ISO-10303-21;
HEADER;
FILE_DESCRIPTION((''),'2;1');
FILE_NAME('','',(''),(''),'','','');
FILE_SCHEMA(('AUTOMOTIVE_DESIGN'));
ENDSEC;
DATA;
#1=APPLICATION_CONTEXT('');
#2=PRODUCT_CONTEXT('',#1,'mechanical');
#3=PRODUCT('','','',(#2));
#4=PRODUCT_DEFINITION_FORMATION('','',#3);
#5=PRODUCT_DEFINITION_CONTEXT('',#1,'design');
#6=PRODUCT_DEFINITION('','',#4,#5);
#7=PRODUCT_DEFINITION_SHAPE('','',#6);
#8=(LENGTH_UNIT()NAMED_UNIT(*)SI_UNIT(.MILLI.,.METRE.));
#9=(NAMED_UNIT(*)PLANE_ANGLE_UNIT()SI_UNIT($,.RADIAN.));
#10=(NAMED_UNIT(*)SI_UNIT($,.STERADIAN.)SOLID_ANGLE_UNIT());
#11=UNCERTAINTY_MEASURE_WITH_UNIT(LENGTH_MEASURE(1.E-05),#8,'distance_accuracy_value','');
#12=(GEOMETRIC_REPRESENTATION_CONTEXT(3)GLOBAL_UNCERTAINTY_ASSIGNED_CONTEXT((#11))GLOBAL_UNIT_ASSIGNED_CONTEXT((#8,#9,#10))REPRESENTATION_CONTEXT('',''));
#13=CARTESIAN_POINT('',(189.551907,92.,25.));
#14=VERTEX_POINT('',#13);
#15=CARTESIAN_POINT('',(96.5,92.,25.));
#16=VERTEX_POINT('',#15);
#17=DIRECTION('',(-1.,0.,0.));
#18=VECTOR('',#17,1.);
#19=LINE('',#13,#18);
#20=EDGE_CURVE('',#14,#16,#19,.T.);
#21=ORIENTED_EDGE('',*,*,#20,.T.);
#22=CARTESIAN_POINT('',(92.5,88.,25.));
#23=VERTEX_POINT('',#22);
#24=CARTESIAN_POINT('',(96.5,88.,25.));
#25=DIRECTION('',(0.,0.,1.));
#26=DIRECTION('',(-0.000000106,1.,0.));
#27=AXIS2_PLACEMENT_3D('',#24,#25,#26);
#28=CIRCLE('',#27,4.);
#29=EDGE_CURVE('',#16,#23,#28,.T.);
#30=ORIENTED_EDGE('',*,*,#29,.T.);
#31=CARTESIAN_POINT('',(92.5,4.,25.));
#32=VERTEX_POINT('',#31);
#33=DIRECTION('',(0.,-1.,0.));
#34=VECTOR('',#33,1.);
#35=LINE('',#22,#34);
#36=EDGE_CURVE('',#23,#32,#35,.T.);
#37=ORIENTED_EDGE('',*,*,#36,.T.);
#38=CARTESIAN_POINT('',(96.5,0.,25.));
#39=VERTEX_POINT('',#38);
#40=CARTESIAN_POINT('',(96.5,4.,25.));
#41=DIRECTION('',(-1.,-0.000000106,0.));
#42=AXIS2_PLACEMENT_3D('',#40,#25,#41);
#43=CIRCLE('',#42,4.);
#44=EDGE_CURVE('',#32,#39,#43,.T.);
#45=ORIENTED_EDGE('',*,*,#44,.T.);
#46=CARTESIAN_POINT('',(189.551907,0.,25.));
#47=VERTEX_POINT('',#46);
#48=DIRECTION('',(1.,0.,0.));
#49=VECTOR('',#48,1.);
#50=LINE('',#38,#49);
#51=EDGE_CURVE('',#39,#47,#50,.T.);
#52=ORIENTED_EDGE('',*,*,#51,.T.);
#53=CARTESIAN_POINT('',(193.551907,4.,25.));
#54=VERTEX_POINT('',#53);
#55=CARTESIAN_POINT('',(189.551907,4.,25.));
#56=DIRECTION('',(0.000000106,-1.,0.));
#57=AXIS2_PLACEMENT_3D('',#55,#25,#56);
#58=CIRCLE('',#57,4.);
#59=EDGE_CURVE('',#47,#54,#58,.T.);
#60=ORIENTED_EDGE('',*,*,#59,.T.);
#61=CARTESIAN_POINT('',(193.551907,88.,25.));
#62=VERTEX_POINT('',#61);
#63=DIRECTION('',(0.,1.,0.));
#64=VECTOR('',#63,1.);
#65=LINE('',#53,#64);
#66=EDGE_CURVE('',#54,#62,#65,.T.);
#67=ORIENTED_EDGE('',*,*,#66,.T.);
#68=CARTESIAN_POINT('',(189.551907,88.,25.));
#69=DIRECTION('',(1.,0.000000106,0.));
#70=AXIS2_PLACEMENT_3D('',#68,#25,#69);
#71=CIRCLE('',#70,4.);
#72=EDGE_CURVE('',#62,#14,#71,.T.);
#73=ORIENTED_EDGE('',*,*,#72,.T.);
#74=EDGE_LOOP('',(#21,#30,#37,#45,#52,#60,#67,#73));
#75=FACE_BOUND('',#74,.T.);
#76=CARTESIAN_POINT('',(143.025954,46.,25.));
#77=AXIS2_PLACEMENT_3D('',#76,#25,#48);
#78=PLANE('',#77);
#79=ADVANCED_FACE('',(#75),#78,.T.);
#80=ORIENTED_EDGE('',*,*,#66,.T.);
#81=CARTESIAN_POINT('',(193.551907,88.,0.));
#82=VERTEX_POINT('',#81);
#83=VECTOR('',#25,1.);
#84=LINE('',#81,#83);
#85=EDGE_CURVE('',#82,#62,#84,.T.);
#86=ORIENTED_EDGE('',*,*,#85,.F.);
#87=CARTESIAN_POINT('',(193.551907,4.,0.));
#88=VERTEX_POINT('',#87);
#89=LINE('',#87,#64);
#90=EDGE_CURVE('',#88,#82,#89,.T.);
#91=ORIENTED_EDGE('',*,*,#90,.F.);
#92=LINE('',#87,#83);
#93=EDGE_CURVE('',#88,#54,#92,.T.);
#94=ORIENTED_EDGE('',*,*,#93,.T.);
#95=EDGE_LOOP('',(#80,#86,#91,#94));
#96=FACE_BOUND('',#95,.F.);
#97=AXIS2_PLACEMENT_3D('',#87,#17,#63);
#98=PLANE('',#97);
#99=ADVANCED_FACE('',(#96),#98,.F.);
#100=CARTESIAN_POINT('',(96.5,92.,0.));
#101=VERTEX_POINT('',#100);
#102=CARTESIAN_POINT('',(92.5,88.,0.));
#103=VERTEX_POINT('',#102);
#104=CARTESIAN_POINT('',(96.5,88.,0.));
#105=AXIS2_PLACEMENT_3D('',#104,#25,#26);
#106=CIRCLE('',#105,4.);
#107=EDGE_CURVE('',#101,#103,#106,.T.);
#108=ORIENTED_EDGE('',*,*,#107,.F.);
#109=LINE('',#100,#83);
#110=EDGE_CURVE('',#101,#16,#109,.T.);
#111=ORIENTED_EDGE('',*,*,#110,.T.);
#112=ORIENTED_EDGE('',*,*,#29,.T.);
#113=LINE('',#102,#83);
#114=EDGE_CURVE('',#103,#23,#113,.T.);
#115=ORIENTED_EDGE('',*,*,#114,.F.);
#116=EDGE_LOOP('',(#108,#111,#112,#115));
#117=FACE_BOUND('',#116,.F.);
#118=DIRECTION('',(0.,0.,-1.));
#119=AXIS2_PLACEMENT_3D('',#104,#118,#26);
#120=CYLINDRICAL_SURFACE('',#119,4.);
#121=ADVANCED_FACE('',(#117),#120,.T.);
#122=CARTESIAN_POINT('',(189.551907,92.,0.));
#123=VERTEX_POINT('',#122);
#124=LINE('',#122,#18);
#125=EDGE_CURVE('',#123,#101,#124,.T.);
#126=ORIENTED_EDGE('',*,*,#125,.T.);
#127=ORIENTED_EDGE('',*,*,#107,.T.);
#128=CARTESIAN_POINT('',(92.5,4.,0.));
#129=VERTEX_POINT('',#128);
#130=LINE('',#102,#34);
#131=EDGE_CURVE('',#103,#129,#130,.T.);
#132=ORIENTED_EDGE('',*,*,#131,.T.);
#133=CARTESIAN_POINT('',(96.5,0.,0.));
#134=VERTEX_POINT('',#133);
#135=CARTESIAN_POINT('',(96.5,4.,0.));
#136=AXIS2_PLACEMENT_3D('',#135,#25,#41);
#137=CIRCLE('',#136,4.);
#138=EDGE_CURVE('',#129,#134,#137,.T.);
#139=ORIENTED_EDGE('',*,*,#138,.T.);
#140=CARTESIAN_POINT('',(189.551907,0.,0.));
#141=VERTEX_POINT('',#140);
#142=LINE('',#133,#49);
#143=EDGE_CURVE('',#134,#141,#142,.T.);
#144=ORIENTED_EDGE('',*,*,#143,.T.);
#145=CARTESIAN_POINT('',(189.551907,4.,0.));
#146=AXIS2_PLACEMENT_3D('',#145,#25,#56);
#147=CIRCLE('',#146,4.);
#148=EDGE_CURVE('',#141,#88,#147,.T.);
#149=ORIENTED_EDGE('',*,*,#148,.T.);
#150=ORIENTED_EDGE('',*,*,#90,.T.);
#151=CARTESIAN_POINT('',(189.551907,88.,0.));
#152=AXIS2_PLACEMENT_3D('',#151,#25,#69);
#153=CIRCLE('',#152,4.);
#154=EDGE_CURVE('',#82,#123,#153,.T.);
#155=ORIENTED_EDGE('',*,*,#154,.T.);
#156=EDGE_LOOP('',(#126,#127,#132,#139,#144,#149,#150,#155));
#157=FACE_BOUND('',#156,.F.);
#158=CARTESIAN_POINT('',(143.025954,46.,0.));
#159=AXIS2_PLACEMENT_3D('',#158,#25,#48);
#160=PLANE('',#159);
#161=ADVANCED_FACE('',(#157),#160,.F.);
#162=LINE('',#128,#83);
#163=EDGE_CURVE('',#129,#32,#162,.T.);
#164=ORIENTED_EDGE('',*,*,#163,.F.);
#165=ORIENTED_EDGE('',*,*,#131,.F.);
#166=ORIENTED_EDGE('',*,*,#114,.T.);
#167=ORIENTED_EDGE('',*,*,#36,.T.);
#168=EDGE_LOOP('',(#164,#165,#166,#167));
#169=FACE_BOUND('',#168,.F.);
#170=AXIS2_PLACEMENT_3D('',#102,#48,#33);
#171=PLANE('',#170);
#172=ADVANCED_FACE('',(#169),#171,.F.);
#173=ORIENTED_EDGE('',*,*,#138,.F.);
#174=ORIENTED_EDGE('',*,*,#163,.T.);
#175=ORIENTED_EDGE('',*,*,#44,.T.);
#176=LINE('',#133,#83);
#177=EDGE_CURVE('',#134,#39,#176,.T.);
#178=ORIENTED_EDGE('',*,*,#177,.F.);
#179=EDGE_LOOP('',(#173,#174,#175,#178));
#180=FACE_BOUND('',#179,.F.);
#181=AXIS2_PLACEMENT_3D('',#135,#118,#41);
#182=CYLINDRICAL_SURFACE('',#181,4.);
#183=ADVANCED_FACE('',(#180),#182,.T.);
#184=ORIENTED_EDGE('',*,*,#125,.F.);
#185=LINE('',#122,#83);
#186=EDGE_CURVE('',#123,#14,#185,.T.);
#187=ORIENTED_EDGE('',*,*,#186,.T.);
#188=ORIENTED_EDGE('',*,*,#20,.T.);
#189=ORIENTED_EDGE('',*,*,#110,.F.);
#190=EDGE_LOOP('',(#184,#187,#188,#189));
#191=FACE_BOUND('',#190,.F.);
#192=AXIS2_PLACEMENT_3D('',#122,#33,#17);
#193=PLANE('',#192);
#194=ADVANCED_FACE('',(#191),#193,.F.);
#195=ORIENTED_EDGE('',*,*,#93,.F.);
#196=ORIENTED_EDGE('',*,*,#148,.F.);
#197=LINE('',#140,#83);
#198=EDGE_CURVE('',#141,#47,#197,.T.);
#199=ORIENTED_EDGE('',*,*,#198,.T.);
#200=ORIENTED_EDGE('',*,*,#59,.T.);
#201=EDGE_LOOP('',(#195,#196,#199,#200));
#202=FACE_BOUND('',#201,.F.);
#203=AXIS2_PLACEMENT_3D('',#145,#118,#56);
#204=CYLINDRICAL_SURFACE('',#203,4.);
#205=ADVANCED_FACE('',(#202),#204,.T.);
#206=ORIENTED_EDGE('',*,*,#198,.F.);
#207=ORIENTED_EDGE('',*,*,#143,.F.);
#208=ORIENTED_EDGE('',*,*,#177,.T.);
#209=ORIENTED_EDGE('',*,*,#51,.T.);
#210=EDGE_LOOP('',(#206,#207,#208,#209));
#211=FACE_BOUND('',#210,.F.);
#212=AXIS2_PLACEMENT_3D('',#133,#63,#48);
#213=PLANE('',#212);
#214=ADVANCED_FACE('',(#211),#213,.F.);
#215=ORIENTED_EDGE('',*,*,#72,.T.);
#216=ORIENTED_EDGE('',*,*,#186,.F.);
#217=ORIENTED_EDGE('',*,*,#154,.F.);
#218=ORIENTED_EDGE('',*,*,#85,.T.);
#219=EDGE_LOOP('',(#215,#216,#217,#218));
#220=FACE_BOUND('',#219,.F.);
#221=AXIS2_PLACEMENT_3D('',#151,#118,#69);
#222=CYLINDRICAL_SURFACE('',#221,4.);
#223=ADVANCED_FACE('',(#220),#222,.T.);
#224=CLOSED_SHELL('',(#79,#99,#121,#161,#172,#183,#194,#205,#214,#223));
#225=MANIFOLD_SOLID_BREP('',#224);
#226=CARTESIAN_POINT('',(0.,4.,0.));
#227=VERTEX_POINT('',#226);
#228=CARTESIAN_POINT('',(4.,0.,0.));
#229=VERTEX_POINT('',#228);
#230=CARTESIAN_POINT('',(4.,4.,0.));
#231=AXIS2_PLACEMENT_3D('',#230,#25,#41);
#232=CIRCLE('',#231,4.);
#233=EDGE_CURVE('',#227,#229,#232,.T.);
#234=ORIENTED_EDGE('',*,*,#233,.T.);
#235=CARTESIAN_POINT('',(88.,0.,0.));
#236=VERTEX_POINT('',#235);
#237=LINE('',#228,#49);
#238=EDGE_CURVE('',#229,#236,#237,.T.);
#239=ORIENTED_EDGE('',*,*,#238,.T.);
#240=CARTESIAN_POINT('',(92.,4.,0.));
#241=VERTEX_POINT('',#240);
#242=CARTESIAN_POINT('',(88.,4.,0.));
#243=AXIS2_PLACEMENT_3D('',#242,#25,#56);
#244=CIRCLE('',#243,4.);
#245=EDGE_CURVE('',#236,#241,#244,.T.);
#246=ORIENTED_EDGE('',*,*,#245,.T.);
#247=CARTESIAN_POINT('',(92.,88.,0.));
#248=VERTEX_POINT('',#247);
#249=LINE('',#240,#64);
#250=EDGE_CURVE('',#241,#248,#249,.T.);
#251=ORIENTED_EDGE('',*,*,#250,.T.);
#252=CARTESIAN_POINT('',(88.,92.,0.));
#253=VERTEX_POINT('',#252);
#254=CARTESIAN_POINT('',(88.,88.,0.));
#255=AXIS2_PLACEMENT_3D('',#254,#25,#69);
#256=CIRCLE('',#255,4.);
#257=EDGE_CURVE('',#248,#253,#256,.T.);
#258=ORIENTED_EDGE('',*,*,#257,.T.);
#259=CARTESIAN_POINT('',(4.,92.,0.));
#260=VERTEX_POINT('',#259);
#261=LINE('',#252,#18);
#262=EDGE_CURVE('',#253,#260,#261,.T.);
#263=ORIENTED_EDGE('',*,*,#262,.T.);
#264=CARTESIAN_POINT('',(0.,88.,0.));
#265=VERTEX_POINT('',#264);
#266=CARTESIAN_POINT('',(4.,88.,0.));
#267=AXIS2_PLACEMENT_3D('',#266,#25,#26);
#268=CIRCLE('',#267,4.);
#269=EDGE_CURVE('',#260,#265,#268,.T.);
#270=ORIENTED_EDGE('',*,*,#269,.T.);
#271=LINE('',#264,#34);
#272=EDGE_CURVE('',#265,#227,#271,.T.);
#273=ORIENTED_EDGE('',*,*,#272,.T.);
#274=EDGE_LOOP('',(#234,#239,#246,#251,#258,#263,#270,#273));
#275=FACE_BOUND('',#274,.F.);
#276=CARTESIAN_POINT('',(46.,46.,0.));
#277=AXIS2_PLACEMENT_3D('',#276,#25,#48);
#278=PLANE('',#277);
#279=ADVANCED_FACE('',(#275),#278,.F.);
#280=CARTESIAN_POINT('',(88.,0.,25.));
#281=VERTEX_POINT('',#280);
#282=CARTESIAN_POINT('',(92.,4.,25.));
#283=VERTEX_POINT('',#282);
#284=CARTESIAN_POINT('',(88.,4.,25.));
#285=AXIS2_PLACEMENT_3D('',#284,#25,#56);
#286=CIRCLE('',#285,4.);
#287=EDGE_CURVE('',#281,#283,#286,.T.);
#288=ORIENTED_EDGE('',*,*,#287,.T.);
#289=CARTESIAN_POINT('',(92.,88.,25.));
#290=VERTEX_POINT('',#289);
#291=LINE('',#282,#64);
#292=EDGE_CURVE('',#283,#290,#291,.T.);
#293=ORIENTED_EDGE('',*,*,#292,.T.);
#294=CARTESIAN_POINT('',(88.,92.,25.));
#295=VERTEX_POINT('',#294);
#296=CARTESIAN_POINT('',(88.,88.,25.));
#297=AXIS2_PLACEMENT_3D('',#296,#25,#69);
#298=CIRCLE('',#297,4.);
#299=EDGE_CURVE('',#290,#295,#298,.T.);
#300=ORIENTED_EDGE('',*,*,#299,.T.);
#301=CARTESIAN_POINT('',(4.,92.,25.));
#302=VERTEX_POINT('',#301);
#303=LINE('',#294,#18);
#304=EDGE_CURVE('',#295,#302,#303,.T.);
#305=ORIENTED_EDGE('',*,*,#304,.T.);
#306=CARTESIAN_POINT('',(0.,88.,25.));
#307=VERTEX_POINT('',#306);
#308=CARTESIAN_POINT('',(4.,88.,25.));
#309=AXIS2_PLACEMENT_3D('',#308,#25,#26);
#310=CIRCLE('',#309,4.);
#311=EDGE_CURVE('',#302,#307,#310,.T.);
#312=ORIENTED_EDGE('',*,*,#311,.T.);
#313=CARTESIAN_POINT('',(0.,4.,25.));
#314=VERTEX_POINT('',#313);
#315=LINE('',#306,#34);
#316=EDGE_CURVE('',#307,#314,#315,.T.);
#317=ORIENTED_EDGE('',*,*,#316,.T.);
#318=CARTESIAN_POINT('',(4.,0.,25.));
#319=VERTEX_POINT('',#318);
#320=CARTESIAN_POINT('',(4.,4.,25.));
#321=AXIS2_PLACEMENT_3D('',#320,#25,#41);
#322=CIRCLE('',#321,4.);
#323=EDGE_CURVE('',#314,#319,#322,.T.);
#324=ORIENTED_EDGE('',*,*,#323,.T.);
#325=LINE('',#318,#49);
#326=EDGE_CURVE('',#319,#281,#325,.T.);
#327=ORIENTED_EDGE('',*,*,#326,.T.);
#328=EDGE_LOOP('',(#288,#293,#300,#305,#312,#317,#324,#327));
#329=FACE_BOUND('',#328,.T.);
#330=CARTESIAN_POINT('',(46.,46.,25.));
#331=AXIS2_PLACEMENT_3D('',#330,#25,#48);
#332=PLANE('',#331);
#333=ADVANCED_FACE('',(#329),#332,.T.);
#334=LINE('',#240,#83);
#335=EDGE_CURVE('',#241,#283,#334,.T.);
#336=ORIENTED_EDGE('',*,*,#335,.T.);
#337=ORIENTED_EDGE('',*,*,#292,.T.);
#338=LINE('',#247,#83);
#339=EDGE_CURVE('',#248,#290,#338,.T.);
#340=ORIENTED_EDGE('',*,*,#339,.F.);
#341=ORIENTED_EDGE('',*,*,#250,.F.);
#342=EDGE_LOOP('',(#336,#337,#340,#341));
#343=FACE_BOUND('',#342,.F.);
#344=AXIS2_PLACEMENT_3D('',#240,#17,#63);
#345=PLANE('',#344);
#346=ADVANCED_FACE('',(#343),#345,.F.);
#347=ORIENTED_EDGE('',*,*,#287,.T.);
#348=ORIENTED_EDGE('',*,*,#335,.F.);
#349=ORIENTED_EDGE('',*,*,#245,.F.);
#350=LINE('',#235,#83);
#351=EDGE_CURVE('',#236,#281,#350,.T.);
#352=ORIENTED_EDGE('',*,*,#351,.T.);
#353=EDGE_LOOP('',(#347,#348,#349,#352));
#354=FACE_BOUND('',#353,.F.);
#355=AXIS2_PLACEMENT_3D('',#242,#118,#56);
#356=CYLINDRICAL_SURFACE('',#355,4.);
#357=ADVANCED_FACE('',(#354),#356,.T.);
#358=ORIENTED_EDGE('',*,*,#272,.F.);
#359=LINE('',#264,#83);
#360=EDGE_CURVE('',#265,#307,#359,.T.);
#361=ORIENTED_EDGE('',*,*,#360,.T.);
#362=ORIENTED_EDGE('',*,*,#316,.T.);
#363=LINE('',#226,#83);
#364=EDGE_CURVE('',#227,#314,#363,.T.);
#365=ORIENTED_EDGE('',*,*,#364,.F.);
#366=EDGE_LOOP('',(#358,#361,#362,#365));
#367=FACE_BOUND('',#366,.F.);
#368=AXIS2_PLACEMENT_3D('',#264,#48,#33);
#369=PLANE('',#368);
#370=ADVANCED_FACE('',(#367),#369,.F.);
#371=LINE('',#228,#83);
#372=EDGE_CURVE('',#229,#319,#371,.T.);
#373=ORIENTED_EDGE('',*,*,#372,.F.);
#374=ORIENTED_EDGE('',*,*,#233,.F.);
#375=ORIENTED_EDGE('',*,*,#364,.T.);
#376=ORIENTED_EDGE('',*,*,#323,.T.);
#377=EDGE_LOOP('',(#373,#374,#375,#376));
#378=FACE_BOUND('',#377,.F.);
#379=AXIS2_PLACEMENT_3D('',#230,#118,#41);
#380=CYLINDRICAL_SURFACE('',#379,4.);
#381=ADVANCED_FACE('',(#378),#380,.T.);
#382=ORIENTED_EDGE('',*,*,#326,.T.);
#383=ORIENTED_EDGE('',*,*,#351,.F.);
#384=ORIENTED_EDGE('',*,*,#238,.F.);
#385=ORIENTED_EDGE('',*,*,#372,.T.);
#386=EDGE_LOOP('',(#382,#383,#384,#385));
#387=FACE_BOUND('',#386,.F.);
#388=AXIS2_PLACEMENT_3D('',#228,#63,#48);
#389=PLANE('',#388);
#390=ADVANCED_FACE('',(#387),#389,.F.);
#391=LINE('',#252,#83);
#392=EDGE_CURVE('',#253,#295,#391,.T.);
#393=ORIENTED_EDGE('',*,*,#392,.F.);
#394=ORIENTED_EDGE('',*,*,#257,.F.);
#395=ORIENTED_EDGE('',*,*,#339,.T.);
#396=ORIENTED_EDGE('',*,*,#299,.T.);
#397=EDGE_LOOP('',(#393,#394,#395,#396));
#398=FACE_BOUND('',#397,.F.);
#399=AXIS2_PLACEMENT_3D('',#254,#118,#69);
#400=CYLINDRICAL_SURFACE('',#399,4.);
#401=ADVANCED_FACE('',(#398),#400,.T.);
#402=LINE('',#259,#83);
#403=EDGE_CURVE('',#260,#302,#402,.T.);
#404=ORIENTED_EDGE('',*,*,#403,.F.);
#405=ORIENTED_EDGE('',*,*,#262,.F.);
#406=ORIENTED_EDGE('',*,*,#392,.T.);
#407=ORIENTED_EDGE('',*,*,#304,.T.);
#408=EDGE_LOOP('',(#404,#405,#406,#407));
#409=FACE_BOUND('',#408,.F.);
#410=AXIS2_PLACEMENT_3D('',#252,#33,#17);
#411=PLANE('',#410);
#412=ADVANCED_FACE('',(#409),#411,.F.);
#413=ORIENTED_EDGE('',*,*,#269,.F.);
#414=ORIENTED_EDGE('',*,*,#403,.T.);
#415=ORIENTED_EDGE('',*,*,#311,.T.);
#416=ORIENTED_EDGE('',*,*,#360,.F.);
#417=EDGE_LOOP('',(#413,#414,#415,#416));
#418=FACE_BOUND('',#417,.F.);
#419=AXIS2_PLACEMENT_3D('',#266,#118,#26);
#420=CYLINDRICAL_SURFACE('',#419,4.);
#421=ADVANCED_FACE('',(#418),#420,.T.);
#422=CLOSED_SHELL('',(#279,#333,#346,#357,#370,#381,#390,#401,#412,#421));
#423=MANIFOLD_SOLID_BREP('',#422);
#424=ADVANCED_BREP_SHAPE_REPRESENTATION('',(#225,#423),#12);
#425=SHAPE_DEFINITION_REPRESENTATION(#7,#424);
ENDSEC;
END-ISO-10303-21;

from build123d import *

# Parameters (mm, degrees)
F1_DEPTH = 25


with BuildPart() as f1:
    # F0 (on Top) → F1 (new body)
    with BuildSketch(Plane.XY):
        with BuildLine():
            ThreePointArc((0, 4), (1.171573, 1.171573), (4, 0))
            Line((4, 0), (88, 0))
            ThreePointArc((88, 0), (90.828427, 1.171573), (92, 4))
            Line((92, 4), (92, 88))
            ThreePointArc((92, 88), (90.828427, 90.828427), (88, 92))
            Line((88, 92), (4, 92))
            ThreePointArc((4, 92), (1.171573, 90.828427), (0, 88))
            Line((0, 88), (0, 4))
        make_face()
        with BuildLine():
            Line((189.551907, 92), (96.5, 92))
            ThreePointArc((96.5, 92), (93.671573, 90.828427), (92.5, 88))
            Line((92.5, 88), (92.5, 4))
            ThreePointArc((92.5, 4), (93.671573, 1.171573), (96.5, 0))
            Line((96.5, 0), (189.551907, 0))
            ThreePointArc((189.551907, 0), (192.380334, 1.171573), (193.551907, 4))
            Line((193.551907, 4), (193.551907, 88))
            ThreePointArc((193.551907, 88), (192.380334, 90.828427), (189.551907, 92))
        make_face()
    extrude(amount=F1_DEPTH)


solid = f1.part
